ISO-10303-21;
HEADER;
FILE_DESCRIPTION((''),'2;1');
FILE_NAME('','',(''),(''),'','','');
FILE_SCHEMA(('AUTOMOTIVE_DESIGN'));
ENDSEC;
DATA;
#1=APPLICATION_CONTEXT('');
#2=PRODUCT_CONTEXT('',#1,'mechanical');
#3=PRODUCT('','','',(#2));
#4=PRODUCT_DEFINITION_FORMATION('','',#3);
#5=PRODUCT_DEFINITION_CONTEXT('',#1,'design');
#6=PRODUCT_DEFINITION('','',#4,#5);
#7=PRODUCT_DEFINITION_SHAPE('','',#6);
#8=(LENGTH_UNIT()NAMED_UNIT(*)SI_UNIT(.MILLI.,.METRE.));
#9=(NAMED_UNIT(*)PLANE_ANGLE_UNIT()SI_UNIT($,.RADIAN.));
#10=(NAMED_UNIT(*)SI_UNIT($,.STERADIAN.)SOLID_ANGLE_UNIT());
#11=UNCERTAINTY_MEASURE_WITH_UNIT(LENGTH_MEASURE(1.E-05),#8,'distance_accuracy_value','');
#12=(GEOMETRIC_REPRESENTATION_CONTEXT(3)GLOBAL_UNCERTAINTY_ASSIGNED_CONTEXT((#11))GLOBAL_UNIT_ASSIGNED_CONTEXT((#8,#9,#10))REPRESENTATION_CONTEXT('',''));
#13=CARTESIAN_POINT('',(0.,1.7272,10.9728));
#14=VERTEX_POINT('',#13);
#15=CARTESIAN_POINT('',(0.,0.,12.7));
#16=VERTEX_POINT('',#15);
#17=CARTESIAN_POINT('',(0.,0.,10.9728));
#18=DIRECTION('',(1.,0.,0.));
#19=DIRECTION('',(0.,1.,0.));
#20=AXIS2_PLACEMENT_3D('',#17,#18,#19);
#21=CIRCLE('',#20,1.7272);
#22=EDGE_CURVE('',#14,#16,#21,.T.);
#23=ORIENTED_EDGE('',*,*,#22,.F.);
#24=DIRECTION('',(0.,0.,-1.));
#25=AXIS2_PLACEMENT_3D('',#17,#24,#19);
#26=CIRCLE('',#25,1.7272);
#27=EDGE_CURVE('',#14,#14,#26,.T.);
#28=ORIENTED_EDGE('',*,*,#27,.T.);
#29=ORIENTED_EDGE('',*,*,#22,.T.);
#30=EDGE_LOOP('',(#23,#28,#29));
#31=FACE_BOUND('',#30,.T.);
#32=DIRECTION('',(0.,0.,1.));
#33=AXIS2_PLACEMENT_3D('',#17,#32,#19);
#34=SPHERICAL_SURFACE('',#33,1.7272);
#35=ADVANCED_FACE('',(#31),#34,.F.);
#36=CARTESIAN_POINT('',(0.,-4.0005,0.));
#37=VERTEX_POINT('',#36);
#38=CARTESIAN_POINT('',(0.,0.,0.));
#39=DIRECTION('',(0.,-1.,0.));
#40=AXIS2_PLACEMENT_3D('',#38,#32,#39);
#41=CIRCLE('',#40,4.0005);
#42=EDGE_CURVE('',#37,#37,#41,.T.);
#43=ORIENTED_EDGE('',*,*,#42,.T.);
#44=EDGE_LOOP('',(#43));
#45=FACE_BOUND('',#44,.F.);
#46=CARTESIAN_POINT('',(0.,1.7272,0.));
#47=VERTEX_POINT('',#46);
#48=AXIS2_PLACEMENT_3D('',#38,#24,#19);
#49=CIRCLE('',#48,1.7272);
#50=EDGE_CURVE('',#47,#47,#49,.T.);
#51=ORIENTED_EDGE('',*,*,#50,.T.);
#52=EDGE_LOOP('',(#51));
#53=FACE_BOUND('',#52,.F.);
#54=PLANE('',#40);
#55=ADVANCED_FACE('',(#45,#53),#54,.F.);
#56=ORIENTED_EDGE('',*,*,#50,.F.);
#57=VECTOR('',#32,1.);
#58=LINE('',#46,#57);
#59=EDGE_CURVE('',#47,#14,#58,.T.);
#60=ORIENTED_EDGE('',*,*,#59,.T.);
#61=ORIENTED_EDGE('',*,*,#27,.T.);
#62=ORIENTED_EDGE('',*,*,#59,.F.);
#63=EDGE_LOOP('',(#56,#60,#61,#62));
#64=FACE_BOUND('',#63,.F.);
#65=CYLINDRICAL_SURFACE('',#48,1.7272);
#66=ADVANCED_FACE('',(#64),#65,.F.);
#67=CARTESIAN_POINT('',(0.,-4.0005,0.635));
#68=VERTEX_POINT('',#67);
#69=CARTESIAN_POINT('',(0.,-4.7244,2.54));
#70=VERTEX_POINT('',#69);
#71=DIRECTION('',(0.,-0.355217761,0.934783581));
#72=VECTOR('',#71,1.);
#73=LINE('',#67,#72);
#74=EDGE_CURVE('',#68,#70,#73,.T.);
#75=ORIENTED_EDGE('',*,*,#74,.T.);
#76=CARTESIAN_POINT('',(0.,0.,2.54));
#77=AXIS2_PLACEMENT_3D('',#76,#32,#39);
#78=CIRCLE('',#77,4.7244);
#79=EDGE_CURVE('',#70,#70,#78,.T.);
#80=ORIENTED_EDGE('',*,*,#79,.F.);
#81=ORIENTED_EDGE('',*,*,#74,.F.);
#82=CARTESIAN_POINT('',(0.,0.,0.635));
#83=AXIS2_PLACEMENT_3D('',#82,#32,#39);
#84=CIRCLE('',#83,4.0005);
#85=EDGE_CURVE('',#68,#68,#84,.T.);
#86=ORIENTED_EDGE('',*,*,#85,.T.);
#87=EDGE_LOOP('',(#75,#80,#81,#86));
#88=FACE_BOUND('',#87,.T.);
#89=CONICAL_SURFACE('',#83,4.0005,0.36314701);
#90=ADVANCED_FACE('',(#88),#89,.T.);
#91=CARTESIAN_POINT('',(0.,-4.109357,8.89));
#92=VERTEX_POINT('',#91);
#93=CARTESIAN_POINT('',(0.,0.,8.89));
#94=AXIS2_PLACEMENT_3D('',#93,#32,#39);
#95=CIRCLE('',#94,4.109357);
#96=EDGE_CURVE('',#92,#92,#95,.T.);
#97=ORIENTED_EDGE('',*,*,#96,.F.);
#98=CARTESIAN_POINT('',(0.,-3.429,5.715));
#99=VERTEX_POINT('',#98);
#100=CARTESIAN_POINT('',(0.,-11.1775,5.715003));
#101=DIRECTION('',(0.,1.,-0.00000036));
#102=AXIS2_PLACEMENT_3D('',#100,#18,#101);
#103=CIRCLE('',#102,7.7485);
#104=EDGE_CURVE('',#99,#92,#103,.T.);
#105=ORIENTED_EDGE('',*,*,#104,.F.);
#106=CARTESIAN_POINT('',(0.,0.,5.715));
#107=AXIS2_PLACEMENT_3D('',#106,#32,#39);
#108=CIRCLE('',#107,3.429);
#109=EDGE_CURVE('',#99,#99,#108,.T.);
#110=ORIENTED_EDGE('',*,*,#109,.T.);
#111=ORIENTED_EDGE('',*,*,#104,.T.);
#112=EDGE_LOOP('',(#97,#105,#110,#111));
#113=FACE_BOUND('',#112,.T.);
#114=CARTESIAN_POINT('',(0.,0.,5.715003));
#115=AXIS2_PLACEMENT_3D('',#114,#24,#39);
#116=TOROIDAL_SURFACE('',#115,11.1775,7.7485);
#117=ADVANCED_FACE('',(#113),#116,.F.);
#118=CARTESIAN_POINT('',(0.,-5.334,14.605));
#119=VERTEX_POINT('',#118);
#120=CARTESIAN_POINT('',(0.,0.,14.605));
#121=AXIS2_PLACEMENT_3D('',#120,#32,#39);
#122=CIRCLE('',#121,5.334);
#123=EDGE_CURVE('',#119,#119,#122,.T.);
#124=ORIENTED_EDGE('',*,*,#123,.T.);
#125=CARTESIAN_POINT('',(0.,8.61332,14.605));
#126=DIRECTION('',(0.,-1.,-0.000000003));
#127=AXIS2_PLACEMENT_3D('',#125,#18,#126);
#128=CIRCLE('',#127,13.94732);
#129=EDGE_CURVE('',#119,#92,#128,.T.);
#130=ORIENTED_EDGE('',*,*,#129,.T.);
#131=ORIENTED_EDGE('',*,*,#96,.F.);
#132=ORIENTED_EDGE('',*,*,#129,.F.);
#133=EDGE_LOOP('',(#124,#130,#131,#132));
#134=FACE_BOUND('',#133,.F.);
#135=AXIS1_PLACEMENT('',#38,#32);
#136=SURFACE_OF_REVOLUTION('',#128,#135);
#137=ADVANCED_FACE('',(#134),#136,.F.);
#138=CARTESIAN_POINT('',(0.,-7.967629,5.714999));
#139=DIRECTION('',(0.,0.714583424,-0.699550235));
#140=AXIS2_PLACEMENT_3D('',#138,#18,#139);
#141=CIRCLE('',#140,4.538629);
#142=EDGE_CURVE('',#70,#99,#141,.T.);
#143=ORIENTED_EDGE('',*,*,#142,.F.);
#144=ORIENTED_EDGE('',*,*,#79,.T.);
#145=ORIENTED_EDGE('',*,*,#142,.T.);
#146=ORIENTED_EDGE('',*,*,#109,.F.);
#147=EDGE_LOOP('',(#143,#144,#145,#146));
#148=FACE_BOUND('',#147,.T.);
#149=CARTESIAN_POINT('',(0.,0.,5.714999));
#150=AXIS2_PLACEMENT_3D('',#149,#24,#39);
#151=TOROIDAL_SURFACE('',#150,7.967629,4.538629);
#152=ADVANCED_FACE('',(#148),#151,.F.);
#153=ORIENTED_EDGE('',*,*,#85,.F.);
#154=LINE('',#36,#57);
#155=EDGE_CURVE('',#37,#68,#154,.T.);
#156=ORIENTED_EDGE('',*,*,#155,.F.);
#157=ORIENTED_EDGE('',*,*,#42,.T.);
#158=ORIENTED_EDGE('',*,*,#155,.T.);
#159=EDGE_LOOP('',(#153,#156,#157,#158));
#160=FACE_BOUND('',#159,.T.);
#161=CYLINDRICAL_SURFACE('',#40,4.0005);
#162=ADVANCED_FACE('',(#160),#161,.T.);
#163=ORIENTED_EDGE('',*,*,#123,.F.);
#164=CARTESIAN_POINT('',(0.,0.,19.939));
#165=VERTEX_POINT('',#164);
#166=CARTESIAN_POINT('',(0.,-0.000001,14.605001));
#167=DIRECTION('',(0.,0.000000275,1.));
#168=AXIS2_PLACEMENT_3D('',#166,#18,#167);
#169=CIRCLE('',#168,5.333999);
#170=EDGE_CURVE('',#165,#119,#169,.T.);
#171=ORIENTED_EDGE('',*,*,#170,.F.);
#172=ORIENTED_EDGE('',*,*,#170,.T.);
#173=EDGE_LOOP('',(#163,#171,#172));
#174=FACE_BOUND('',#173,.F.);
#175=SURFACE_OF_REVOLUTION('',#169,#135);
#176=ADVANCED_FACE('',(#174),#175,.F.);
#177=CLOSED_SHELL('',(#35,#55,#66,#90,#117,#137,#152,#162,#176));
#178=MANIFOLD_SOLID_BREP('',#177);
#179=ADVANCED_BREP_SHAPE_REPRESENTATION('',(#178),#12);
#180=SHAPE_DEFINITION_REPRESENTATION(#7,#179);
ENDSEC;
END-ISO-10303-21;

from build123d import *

# Parameters (mm, degrees)
SKETCH001_R  = 1.7272
POCKET_DEPTH = 12.7
FILLET_R     = 1.7272


with BuildPart() as part:
    # Sketch → Revolution (revolve)
    with BuildSketch(Plane.YZ):
        with BuildLine():
            Line((-4.0005, 0), (-4.0005, 0.635))
            Line((-4.0005, 0.635), (-4.7244, 2.54))
            ThreePointArc((-4.7244, 2.54), (-3.76531, 4.000453), (-3.429, 5.715))
            ThreePointArc((-3.429, 5.715), (-3.600998, 7.338539), (-4.109357, 8.89))
            ThreePointArc((-5.334, 14.605), (-5.024403, 11.68263), (-4.109357, 8.89))
            ThreePointArc((0, 19.939), (-3.771708, 18.376708), (-5.334, 14.605))
            Line((0, 19.939), (0, 0))
            Line((-4.0005, 0), (0, 0))
        make_face()
    revolve(axis=Axis((0, 0, 0), (0, 0, 1)))

    # Sketch001 (on Face7 of Revolution) → Pocket (cut)
    with BuildSketch(Plane.YX):
        Circle(SKETCH001_R)
    extrude(amount=-POCKET_DEPTH, mode=Mode.SUBTRACT)

    # Fillet
    fillet_edges = [part.edges().sort_by_distance(p)[0] for p in [
        (0, -1.7272, 12.7),
    ]]
    fillet(fillet_edges, radius=FILLET_R)


solid = part.part
